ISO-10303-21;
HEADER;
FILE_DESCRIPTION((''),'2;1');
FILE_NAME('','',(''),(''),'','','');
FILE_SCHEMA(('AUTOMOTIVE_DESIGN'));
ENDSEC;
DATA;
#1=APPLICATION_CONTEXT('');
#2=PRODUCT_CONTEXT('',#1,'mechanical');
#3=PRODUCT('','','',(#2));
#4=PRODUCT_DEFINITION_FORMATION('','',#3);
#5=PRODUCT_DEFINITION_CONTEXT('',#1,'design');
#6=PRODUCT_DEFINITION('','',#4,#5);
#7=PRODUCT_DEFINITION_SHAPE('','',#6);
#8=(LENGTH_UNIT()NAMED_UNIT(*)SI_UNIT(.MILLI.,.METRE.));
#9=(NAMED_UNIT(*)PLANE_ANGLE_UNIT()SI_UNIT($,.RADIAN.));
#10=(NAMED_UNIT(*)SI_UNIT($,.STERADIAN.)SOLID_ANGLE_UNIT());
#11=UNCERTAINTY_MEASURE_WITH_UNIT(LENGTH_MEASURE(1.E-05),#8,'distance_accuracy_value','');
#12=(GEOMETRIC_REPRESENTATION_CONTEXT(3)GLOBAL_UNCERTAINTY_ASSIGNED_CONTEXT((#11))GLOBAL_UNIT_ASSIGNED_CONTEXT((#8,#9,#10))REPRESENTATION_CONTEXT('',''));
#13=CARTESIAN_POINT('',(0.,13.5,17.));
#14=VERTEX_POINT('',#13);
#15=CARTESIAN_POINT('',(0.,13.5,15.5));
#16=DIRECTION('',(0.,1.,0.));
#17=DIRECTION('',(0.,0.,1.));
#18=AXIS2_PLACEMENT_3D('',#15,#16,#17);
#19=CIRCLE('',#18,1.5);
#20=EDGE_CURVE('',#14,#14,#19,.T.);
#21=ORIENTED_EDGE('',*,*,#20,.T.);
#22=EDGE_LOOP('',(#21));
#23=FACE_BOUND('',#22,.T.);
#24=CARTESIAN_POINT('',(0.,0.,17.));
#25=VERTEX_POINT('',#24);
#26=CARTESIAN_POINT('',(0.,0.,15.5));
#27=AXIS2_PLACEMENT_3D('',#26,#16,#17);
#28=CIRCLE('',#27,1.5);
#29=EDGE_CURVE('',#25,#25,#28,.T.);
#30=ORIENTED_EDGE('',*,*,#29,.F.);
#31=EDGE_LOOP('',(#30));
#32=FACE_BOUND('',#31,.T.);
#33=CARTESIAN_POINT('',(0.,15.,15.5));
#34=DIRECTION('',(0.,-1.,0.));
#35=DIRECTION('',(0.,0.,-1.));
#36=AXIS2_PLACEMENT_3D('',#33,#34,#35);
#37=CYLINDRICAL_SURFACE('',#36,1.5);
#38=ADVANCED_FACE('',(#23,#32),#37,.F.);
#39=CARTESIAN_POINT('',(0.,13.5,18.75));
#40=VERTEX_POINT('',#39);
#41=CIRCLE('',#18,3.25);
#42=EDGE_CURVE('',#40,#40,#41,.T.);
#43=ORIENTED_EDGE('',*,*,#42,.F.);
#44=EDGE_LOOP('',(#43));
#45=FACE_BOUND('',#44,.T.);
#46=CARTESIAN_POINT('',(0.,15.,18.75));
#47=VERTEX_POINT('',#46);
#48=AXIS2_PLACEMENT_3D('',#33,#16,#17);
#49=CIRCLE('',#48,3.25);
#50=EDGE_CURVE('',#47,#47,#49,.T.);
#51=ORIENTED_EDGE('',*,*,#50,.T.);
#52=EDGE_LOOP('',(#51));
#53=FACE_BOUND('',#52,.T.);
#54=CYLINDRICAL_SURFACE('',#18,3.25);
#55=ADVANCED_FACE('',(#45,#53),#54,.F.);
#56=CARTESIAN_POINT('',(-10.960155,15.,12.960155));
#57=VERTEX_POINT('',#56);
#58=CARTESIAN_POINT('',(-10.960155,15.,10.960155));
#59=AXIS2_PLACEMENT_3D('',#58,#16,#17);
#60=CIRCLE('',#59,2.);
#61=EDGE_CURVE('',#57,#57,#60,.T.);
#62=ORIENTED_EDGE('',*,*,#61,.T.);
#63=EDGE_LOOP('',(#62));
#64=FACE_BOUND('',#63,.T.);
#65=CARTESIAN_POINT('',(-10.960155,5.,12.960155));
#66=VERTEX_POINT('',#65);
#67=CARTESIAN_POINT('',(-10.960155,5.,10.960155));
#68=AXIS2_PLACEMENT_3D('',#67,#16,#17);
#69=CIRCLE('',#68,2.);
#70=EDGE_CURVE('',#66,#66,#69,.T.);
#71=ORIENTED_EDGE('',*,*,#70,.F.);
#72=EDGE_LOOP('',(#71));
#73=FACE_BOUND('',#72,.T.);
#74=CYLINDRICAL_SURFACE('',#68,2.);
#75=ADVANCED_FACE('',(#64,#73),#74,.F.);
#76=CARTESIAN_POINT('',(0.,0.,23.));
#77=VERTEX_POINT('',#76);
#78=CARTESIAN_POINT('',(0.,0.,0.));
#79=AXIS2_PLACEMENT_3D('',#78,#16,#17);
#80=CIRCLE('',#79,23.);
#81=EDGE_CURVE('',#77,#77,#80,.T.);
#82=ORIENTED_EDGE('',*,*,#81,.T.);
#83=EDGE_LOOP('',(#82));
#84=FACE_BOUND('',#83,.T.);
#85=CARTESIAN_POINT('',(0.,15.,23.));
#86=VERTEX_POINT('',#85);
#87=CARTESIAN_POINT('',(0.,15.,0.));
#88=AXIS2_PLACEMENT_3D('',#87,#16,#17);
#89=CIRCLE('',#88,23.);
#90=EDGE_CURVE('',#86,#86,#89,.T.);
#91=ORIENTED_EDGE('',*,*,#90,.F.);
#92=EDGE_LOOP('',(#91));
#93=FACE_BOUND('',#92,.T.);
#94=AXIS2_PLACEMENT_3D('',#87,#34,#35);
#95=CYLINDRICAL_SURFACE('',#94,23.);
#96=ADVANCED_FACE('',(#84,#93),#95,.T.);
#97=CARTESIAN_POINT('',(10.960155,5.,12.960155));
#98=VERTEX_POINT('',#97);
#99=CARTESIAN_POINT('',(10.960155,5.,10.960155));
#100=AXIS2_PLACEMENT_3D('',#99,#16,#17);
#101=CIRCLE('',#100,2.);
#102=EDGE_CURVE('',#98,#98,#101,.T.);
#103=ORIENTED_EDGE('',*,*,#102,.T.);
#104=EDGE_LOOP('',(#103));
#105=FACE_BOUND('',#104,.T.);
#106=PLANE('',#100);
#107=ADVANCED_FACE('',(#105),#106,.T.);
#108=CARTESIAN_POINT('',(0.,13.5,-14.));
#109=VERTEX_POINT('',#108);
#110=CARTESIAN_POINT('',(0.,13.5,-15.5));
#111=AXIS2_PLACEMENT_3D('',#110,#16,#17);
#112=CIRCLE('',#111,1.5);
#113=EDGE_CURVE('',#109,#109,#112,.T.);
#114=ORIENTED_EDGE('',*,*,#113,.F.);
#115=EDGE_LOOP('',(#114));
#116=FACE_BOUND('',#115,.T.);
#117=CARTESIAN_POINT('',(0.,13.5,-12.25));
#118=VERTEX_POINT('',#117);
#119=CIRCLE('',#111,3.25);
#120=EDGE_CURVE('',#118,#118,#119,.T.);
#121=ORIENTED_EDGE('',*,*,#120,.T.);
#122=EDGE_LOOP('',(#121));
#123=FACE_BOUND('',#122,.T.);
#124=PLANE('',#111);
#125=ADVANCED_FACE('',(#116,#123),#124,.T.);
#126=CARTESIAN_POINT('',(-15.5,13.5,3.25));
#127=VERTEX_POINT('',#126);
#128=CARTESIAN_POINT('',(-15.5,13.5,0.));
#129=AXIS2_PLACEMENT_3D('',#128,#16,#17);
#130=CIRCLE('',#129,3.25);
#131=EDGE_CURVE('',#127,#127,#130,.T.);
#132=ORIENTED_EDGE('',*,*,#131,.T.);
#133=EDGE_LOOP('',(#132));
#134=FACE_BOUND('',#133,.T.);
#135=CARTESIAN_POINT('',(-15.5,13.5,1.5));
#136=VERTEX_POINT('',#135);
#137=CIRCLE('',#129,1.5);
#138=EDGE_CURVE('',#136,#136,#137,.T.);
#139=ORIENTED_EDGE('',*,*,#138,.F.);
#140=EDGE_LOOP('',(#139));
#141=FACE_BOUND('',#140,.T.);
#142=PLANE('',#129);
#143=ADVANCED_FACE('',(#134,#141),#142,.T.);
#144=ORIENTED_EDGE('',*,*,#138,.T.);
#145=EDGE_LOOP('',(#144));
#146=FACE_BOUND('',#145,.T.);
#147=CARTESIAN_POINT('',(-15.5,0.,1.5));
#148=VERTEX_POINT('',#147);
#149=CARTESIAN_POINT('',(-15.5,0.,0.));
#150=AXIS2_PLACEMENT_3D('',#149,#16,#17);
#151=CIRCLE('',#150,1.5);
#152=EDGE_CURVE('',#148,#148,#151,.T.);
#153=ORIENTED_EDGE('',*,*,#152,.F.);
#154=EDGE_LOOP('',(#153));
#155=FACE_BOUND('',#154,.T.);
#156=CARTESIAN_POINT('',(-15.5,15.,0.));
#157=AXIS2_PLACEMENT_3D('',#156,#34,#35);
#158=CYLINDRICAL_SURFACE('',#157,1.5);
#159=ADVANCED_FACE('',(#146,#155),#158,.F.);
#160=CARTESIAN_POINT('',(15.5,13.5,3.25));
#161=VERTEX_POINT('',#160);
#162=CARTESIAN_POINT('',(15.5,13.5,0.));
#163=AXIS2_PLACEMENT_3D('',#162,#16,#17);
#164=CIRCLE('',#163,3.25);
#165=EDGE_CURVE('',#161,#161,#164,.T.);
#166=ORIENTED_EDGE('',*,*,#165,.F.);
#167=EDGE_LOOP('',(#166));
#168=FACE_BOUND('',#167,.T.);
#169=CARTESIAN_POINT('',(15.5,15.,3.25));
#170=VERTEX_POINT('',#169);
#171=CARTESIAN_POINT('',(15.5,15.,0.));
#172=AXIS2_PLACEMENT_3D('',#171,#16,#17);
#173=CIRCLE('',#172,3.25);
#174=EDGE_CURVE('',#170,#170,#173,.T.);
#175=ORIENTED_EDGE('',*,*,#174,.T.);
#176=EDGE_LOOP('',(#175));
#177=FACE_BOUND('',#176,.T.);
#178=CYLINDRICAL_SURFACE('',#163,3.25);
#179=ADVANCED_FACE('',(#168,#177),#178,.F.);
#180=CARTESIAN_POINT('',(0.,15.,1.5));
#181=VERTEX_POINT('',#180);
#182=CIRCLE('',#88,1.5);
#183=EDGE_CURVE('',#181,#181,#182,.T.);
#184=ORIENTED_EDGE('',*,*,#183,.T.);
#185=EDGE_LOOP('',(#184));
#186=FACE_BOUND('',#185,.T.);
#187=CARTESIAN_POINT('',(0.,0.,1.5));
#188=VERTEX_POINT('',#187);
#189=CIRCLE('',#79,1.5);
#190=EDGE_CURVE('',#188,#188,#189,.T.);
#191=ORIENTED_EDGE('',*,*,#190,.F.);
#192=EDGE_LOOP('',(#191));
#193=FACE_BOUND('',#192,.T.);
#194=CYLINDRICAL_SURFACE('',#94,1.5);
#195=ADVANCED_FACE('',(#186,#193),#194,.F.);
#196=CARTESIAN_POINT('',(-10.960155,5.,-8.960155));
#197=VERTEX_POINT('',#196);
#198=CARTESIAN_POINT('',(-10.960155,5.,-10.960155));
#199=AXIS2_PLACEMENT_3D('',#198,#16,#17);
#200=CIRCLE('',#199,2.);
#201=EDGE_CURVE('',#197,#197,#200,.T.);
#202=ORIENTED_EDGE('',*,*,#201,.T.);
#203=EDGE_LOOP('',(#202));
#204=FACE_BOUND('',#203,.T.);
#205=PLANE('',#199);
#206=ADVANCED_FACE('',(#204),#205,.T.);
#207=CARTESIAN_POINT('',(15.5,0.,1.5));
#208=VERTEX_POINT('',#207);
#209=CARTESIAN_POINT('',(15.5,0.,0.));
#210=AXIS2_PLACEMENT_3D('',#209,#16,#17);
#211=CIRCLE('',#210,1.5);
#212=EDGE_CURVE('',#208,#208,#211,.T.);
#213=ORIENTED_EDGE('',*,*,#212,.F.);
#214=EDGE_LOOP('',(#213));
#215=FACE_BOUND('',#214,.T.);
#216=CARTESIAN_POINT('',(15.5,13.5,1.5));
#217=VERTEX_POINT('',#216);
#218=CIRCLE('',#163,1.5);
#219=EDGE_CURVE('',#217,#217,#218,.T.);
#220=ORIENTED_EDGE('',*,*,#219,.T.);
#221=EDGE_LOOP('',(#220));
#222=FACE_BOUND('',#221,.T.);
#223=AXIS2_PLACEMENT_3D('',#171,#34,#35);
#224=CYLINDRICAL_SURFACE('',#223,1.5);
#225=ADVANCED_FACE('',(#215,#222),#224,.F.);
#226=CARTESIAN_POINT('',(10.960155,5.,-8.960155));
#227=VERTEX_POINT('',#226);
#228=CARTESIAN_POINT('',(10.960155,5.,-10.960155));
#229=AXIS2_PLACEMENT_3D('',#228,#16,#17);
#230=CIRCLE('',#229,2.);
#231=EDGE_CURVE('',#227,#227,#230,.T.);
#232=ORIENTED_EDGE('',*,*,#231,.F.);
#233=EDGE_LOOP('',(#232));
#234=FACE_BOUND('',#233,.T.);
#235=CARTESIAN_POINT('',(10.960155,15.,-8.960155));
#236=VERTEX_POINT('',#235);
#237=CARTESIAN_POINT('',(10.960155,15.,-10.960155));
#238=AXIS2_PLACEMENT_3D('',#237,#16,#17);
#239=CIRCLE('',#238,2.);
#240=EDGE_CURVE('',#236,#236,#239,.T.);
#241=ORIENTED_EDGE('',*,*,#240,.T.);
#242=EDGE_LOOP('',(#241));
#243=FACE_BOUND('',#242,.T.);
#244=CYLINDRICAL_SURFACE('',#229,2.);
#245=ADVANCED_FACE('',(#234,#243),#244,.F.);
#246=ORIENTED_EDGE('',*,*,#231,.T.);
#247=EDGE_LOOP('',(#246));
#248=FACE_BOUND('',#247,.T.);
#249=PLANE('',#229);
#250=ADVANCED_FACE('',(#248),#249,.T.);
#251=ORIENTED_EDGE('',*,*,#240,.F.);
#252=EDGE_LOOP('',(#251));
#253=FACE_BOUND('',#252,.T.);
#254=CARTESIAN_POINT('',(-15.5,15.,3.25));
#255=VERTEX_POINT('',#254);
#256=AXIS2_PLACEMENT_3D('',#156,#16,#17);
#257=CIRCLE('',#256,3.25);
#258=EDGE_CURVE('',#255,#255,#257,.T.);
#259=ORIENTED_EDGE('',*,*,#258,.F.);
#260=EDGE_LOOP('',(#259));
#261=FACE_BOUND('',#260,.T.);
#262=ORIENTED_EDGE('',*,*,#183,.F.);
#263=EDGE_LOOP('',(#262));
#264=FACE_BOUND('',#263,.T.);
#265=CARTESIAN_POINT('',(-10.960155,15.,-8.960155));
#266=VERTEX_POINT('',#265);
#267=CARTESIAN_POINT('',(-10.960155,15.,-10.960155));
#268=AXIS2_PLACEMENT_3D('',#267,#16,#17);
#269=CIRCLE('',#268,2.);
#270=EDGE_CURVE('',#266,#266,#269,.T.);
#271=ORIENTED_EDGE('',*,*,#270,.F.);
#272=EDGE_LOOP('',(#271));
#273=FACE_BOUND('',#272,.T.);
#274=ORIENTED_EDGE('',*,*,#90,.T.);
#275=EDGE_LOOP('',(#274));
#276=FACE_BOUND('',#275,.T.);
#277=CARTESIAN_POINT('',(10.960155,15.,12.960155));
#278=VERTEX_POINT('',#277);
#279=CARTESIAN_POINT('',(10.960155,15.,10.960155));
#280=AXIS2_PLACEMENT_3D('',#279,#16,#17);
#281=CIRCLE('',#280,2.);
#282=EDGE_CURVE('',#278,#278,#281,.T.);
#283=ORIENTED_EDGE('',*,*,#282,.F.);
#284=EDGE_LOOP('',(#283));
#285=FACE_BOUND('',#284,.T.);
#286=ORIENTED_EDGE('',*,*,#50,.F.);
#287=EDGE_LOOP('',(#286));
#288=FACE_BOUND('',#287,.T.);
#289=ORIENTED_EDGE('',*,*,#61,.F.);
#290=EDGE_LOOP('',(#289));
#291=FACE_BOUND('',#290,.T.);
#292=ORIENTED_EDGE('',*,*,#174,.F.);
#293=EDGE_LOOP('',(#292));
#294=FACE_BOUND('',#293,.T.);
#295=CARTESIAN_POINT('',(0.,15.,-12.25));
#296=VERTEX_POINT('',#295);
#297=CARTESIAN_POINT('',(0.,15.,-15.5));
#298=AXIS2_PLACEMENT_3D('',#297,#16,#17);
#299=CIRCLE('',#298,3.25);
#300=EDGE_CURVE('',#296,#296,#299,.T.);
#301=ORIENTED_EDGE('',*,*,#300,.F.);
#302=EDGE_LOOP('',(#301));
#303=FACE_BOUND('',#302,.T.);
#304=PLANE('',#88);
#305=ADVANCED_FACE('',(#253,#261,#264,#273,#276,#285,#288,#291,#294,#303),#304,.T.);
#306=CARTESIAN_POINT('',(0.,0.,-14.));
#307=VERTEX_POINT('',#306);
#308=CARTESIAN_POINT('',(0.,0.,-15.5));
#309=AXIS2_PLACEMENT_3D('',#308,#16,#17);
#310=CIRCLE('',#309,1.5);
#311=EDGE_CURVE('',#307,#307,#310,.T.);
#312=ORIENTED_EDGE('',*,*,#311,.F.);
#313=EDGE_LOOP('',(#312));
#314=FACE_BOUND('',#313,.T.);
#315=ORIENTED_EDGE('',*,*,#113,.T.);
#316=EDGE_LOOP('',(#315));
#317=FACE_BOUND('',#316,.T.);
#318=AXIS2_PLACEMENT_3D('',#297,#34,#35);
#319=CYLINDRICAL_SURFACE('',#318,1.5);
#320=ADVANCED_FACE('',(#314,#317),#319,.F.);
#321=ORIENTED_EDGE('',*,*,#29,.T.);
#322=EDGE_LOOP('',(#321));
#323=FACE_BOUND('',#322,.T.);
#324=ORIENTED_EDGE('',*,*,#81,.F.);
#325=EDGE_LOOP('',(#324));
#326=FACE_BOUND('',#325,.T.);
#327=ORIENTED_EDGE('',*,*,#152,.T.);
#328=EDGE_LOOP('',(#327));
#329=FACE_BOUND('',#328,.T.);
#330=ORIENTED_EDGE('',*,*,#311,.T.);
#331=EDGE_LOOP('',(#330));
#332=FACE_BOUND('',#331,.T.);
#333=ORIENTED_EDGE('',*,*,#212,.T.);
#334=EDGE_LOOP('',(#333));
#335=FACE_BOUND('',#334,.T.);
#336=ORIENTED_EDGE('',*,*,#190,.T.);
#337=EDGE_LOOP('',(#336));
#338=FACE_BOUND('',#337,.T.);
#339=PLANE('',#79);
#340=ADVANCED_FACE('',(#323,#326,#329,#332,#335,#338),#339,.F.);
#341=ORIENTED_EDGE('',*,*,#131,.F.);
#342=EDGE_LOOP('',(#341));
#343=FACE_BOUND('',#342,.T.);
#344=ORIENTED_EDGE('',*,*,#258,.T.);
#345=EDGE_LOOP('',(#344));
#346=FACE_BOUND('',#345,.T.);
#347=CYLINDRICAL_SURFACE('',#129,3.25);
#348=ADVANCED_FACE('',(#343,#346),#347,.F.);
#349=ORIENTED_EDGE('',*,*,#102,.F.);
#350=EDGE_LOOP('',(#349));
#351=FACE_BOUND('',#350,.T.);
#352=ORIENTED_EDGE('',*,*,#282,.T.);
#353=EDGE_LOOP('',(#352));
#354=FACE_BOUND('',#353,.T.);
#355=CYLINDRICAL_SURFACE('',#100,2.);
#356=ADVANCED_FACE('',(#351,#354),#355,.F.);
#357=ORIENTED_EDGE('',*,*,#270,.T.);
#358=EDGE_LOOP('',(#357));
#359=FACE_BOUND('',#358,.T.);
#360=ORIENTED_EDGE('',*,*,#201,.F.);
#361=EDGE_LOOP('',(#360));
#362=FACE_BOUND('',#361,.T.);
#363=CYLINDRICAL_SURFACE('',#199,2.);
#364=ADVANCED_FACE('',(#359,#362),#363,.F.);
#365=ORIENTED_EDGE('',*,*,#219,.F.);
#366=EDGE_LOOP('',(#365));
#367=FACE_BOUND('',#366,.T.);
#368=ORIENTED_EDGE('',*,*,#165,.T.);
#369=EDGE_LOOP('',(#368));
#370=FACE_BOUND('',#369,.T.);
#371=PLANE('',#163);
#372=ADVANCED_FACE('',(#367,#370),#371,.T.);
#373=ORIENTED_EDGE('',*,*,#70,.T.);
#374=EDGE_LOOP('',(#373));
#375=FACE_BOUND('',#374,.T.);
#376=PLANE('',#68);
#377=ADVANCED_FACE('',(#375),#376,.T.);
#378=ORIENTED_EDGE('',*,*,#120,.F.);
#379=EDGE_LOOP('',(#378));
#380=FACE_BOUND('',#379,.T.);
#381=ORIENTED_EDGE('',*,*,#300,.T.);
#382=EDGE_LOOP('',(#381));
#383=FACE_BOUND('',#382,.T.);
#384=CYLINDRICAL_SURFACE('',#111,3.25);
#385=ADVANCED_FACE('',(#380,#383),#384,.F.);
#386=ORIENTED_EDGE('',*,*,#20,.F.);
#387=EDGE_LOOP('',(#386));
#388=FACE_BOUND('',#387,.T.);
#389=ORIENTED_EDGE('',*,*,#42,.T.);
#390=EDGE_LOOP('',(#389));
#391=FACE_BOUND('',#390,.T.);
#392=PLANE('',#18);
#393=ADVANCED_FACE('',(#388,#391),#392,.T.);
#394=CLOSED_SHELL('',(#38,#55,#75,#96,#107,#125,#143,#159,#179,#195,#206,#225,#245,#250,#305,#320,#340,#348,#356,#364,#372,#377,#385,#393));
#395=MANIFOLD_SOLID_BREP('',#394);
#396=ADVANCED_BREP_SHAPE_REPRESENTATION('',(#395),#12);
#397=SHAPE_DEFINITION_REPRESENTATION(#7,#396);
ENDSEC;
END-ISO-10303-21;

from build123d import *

# Parameters (mm, degrees)
SKETCH1_R           = 23
SKETCH1_R_2         = 1.5
BOSS_EXTRUDE1_DEPTH = 15
SKETCH2_R           = 3.25
CUT_EXTRUDE1_DEPTH  = 1.5
SKETCH3_R           = 2
CUT_EXTRUDE2_DEPTH  = 10


with BuildPart() as part:
    # Sketch1 → Boss-Extrude1 (new body)
    with BuildSketch(Plane(origin=(0, 0, 0), x_dir=(1, 0, 0), z_dir=(0, 1, 0))):
        with Locations(Location((0, 0, 0), (0, 0, 270))):
            Circle(SKETCH1_R)
        with Locations(Location((0, 15.5, 0), (0, 0, 270))):
            Circle(SKETCH1_R_2, mode=Mode.SUBTRACT)
        with Locations(Location((15.5, 0, 0), (0, 0, 270))):
            Circle(SKETCH1_R_2, mode=Mode.SUBTRACT)
        with Locations(Location((0, -15.5, 0), (0, 0, 270))):
            Circle(SKETCH1_R_2, mode=Mode.SUBTRACT)
        with Locations(Location((-15.5, 0, 0), (0, 0, 270))):
            Circle(SKETCH1_R_2, mode=Mode.SUBTRACT)
        with Locations(Location((0, 0, 0), (0, 0, 270))):
            Circle(SKETCH1_R_2, mode=Mode.SUBTRACT)
    extrude(amount=BOSS_EXTRUDE1_DEPTH)

    # Sketch2 → Cut-Extrude1 (cut)
    with BuildSketch(Plane(origin=(0, 15, 0), x_dir=(1, 0, 0), z_dir=(0, 1, 0))):
        with Locations(Location((0, 15.5, 0), (0, 0, 270))):
            Circle(SKETCH2_R)
        with Locations(Location((15.5, 0, 0), (0, 0, 270))):
            Circle(SKETCH2_R)
        with Locations(Location((0, -15.5, 0), (0, 0, 270))):
            Circle(SKETCH2_R)
        with Locations(Location((-15.5, 0, 0), (0, 0, 270))):
            Circle(SKETCH2_R)
    extrude(amount=-CUT_EXTRUDE1_DEPTH, mode=Mode.SUBTRACT)

    # Sketch3 → Cut-Extrude2 (cut)
    with BuildSketch(Plane(origin=(0, 15, 0), x_dir=(1, 0, 0), z_dir=(0, 1, 0))):
        with Locations(Location((-10.960155108, 10.960155108, 0), (0, 0, 270))):
            Circle(SKETCH3_R)
        with Locations(Location((10.960155108, 10.960155108, 0), (0, 0, 270))):
            Circle(SKETCH3_R)
        with Locations(Location((10.960155108, -10.960155108, 0), (0, 0, 270))):
            Circle(SKETCH3_R)
        with Locations(Location((-10.960155108, -10.960155108, 0), (0, 0, 270))):
            Circle(SKETCH3_R)
    extrude(amount=-CUT_EXTRUDE2_DEPTH, mode=Mode.SUBTRACT)


solid = part.part
